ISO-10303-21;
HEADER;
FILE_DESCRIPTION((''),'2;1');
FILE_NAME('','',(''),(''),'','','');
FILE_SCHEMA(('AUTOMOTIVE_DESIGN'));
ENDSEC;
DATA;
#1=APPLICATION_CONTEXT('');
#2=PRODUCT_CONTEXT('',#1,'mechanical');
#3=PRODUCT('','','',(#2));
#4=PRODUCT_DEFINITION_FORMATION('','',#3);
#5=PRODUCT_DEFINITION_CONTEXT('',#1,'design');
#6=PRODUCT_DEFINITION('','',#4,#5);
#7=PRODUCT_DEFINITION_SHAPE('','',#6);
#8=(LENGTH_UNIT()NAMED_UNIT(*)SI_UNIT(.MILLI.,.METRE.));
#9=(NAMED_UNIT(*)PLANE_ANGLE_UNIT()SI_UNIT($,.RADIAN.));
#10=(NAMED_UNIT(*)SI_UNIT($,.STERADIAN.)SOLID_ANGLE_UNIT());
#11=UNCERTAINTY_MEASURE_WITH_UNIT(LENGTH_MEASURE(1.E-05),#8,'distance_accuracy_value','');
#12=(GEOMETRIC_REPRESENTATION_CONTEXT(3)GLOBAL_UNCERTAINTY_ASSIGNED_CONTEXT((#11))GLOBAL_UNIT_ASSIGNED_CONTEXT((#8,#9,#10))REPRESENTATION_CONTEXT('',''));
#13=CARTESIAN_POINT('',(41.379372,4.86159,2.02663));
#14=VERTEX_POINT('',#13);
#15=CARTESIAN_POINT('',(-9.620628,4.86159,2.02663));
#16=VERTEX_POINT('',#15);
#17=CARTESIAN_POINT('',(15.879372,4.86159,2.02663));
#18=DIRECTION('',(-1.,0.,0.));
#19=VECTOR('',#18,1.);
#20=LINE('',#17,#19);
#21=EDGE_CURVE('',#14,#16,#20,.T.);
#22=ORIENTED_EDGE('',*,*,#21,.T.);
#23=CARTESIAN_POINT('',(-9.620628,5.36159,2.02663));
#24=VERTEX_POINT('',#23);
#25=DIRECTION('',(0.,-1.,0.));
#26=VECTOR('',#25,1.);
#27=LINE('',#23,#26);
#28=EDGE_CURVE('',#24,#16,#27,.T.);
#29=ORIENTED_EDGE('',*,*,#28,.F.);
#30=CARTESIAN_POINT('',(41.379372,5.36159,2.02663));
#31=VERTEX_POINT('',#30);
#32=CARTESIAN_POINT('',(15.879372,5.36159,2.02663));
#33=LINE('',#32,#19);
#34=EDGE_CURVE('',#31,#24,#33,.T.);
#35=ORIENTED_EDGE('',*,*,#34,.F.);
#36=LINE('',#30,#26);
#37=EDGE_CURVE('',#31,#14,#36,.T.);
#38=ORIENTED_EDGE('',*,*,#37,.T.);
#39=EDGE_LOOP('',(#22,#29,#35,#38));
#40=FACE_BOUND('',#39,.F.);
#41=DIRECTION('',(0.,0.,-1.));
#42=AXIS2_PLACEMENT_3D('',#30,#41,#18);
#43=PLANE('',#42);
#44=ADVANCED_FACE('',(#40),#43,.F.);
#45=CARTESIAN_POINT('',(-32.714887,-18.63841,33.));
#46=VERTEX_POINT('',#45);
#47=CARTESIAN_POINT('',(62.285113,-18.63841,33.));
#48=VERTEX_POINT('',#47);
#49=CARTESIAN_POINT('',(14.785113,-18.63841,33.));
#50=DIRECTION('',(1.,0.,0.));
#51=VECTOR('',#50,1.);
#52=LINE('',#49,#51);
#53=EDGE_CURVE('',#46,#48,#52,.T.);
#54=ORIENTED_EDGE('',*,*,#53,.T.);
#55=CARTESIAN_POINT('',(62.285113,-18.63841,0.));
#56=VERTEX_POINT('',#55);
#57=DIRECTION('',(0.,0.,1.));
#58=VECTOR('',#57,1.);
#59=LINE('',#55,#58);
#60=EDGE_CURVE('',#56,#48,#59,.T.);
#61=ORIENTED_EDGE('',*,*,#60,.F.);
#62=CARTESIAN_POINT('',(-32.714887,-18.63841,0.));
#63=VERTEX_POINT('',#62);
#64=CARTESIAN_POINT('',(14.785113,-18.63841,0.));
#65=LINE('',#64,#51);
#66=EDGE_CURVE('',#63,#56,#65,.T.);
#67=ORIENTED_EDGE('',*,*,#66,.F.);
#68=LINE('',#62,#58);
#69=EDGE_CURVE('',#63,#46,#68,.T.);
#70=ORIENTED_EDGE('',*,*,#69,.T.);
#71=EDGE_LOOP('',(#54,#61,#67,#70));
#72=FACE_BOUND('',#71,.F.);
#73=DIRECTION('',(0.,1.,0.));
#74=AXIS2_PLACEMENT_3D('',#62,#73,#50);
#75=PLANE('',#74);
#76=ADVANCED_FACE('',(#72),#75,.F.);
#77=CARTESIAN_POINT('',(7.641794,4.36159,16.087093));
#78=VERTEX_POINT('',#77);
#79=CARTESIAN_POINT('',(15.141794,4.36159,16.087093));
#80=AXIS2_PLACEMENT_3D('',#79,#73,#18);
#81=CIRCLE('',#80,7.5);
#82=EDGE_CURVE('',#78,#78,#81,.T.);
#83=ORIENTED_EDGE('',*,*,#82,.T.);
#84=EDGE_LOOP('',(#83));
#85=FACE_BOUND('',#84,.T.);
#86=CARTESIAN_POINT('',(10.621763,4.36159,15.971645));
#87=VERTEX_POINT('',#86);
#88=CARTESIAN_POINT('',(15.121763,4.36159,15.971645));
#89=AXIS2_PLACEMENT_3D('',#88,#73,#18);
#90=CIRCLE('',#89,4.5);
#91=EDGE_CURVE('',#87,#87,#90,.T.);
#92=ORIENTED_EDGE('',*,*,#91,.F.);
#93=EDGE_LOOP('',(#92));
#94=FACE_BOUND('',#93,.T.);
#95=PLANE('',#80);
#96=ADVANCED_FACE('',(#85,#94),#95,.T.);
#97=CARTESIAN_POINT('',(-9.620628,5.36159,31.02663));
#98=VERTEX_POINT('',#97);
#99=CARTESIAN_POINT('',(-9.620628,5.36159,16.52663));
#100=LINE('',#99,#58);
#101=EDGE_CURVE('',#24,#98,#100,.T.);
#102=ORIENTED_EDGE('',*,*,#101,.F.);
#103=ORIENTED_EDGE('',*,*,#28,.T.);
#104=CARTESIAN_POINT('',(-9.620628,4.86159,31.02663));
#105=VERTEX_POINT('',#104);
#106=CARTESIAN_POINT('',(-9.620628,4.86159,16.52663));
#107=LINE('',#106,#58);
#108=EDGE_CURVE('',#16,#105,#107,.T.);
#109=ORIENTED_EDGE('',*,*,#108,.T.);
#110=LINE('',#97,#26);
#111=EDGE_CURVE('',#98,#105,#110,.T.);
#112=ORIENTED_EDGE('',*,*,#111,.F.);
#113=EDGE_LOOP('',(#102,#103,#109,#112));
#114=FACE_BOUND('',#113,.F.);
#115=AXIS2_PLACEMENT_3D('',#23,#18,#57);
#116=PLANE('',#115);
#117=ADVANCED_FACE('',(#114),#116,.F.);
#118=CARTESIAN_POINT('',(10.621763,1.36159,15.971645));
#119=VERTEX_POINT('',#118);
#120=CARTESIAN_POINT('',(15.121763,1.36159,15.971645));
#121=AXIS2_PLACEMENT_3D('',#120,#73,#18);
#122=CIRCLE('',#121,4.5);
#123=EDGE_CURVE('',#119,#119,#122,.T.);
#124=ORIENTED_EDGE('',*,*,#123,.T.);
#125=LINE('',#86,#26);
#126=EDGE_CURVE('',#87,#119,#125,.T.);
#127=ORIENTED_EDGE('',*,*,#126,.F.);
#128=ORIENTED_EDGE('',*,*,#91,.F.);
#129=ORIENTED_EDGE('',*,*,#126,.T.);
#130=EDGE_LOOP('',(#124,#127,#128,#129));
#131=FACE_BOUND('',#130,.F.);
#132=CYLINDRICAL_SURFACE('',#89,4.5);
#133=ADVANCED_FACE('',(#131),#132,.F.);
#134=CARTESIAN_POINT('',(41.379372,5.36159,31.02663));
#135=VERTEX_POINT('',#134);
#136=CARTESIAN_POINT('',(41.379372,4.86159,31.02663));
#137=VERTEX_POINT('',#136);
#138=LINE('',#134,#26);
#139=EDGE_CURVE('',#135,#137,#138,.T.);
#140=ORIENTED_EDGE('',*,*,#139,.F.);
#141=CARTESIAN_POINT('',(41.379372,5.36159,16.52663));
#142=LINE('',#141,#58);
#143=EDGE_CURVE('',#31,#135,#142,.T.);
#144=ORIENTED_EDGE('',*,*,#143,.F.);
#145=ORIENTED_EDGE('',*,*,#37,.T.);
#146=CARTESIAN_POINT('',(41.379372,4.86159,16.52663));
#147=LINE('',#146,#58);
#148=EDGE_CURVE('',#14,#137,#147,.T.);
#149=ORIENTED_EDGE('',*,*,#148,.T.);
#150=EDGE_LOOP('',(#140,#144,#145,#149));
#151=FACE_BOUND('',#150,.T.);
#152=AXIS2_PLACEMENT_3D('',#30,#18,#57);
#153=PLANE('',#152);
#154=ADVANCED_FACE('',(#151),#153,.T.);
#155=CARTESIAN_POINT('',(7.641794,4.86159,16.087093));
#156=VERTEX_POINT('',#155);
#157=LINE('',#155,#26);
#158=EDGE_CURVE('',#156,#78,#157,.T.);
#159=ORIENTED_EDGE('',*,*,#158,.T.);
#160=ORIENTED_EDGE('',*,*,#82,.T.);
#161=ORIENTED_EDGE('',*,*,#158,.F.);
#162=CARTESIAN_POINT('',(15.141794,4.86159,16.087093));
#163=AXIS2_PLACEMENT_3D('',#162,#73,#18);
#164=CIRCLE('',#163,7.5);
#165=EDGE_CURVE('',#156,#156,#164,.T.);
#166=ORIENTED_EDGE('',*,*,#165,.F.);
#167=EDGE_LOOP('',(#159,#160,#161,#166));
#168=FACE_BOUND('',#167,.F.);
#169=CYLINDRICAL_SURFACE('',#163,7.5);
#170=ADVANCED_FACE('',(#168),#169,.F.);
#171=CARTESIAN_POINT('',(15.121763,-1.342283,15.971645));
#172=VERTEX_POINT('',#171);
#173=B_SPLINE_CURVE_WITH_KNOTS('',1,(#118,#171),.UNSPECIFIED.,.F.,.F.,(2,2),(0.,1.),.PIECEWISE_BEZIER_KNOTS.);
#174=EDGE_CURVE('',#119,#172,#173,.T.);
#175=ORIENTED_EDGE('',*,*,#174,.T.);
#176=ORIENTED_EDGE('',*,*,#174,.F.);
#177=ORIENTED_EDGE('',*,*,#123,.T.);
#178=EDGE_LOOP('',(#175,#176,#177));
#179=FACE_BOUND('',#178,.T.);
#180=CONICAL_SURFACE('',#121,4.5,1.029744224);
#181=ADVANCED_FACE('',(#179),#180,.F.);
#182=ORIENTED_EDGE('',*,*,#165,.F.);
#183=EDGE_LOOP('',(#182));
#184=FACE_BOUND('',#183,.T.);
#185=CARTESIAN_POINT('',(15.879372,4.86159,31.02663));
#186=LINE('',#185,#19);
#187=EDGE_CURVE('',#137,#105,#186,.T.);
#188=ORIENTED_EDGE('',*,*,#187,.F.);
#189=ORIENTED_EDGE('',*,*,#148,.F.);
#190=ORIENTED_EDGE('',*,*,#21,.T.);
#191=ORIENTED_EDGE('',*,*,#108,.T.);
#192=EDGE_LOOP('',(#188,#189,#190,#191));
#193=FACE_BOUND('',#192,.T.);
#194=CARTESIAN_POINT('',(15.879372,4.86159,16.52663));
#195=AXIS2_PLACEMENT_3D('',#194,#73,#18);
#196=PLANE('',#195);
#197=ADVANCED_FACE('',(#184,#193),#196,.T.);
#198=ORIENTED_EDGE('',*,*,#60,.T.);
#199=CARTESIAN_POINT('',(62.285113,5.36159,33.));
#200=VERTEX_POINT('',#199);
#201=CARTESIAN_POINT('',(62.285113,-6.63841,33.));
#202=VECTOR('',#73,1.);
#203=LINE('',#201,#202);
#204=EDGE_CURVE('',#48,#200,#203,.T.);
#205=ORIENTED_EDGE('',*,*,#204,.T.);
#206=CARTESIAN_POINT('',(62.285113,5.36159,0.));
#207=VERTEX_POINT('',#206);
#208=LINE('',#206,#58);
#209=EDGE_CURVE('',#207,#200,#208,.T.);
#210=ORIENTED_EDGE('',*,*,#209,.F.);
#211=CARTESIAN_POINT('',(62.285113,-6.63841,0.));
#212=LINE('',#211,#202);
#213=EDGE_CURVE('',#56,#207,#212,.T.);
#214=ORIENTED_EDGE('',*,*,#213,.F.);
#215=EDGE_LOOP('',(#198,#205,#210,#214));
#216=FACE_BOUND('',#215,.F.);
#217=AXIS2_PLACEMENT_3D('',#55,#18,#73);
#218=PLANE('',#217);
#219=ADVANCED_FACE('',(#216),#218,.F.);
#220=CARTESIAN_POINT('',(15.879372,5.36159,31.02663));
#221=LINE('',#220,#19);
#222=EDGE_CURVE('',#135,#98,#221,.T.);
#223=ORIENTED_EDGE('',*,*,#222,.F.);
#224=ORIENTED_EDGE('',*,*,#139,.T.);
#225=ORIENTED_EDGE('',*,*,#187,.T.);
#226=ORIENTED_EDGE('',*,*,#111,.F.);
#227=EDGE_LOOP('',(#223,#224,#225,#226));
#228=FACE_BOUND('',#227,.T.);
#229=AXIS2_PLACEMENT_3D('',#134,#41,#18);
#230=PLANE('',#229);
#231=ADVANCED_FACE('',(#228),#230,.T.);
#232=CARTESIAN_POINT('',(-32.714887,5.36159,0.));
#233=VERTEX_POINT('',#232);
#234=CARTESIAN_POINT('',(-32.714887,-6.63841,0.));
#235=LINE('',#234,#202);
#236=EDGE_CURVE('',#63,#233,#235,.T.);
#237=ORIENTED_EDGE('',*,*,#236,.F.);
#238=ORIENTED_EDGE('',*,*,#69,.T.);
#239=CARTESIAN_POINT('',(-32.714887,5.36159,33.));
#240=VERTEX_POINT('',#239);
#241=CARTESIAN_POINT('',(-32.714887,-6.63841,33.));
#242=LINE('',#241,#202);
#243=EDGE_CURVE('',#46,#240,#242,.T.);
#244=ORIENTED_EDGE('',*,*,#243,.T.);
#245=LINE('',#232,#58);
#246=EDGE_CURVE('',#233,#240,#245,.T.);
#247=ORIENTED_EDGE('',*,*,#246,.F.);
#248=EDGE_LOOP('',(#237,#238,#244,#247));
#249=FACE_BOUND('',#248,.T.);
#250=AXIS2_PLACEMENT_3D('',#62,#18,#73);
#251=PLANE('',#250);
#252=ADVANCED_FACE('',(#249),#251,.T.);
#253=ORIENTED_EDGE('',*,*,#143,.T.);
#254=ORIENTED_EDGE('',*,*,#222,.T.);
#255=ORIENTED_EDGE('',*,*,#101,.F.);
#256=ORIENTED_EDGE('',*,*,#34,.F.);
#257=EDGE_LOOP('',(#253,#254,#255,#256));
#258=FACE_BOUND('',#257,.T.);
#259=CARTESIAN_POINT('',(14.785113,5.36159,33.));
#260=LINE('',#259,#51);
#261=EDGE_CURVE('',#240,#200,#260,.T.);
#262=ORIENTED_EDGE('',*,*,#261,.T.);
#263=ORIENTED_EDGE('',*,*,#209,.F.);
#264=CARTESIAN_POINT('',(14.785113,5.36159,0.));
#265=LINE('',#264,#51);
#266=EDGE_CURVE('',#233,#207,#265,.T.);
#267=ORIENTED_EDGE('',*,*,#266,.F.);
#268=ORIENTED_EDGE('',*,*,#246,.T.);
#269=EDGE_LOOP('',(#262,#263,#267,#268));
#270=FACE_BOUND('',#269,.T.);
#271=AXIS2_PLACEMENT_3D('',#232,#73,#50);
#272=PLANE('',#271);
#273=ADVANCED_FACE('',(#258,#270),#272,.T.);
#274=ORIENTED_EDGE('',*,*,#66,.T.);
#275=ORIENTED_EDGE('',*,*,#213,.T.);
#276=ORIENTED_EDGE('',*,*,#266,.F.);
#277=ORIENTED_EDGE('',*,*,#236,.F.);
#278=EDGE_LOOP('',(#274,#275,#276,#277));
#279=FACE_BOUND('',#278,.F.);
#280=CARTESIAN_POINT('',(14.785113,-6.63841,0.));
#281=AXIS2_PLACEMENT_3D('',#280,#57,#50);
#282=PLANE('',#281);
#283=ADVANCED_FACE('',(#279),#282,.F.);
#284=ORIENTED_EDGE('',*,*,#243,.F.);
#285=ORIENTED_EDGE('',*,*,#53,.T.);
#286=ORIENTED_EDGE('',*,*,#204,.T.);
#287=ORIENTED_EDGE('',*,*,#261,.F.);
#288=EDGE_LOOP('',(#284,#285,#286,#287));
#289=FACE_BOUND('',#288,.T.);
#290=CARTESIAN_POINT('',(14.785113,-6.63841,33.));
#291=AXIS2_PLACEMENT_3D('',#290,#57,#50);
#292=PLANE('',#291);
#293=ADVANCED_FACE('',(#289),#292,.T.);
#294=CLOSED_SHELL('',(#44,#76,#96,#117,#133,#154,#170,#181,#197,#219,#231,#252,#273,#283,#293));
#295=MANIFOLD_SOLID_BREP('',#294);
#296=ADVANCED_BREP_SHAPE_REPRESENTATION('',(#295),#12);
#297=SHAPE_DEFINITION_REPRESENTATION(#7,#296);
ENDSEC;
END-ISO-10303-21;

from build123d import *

# Parameters (mm, degrees)
SKETCH_W        = 95
SKETCH_H        = 24
PAD_DEPTH       = 33
SKETCH001_W     = 51
SKETCH001_H     = 29
POCKET_DEPTH    = 0.5
SKETCH002_R     = 7.5
POCKET001_DEPTH = 0.5
SKETCH003_R     = 4.5
HOLE_DEPTH      = 3
HOLE_TIPS_R     = 4.5


with BuildPart() as part:
    # Sketch → Pad (new body)
    with BuildSketch(Plane.XY):
        with Locations((14.785113, -6.63841)):
            Rectangle(SKETCH_W, SKETCH_H)
    extrude(amount=PAD_DEPTH)

    # Sketch001 (on Face4 of Pad) → Pocket (cut)
    with BuildSketch(Plane(origin=(0, 5.36159, 0), x_dir=(-1, 0, 0), z_dir=(0, 1, 0))):
        with Locations((-15.879372, 16.52663)):
            Rectangle(SKETCH001_W, SKETCH001_H)
    extrude(amount=-POCKET_DEPTH, mode=Mode.SUBTRACT)

    # Sketch002 (on Face11 of Pocket) → Pocket001 (cut)
    with BuildSketch(Plane(origin=(0, 4.86159, 0), x_dir=(-1, 0, 0), z_dir=(0, 1, 0))):
        with Locations((-15.141794, 16.087093)):
            Circle(SKETCH002_R)
    extrude(amount=-POCKET001_DEPTH, mode=Mode.SUBTRACT)

    # Sketch003 (on Face13 of Pocket001) → Hole (cut)
    with BuildSketch(Plane(origin=(0, 4.36159, 0), x_dir=(-1, 0, 0), z_dir=(0, 1, 0))):
        with Locations((-15.121763, 15.971645)):
            Circle(SKETCH003_R)
    extrude(amount=-HOLE_DEPTH, mode=Mode.SUBTRACT)

    # Hole tips → Hole tip 1 section 0
    with BuildSketch(Plane(origin=(0, 1.36159, 0), x_dir=(-1, 0, 0), z_dir=(0, 1, 0)), mode=Mode.PRIVATE) as hole_tip_1_s0:
        with Locations((-15.121763, 15.971645)):
            Circle(HOLE_TIPS_R)
    loft([hole_tip_1_s0.sketch, Vertex(15.121763, -1.342283, 15.971645)], mode=Mode.SUBTRACT)


solid = part.part
